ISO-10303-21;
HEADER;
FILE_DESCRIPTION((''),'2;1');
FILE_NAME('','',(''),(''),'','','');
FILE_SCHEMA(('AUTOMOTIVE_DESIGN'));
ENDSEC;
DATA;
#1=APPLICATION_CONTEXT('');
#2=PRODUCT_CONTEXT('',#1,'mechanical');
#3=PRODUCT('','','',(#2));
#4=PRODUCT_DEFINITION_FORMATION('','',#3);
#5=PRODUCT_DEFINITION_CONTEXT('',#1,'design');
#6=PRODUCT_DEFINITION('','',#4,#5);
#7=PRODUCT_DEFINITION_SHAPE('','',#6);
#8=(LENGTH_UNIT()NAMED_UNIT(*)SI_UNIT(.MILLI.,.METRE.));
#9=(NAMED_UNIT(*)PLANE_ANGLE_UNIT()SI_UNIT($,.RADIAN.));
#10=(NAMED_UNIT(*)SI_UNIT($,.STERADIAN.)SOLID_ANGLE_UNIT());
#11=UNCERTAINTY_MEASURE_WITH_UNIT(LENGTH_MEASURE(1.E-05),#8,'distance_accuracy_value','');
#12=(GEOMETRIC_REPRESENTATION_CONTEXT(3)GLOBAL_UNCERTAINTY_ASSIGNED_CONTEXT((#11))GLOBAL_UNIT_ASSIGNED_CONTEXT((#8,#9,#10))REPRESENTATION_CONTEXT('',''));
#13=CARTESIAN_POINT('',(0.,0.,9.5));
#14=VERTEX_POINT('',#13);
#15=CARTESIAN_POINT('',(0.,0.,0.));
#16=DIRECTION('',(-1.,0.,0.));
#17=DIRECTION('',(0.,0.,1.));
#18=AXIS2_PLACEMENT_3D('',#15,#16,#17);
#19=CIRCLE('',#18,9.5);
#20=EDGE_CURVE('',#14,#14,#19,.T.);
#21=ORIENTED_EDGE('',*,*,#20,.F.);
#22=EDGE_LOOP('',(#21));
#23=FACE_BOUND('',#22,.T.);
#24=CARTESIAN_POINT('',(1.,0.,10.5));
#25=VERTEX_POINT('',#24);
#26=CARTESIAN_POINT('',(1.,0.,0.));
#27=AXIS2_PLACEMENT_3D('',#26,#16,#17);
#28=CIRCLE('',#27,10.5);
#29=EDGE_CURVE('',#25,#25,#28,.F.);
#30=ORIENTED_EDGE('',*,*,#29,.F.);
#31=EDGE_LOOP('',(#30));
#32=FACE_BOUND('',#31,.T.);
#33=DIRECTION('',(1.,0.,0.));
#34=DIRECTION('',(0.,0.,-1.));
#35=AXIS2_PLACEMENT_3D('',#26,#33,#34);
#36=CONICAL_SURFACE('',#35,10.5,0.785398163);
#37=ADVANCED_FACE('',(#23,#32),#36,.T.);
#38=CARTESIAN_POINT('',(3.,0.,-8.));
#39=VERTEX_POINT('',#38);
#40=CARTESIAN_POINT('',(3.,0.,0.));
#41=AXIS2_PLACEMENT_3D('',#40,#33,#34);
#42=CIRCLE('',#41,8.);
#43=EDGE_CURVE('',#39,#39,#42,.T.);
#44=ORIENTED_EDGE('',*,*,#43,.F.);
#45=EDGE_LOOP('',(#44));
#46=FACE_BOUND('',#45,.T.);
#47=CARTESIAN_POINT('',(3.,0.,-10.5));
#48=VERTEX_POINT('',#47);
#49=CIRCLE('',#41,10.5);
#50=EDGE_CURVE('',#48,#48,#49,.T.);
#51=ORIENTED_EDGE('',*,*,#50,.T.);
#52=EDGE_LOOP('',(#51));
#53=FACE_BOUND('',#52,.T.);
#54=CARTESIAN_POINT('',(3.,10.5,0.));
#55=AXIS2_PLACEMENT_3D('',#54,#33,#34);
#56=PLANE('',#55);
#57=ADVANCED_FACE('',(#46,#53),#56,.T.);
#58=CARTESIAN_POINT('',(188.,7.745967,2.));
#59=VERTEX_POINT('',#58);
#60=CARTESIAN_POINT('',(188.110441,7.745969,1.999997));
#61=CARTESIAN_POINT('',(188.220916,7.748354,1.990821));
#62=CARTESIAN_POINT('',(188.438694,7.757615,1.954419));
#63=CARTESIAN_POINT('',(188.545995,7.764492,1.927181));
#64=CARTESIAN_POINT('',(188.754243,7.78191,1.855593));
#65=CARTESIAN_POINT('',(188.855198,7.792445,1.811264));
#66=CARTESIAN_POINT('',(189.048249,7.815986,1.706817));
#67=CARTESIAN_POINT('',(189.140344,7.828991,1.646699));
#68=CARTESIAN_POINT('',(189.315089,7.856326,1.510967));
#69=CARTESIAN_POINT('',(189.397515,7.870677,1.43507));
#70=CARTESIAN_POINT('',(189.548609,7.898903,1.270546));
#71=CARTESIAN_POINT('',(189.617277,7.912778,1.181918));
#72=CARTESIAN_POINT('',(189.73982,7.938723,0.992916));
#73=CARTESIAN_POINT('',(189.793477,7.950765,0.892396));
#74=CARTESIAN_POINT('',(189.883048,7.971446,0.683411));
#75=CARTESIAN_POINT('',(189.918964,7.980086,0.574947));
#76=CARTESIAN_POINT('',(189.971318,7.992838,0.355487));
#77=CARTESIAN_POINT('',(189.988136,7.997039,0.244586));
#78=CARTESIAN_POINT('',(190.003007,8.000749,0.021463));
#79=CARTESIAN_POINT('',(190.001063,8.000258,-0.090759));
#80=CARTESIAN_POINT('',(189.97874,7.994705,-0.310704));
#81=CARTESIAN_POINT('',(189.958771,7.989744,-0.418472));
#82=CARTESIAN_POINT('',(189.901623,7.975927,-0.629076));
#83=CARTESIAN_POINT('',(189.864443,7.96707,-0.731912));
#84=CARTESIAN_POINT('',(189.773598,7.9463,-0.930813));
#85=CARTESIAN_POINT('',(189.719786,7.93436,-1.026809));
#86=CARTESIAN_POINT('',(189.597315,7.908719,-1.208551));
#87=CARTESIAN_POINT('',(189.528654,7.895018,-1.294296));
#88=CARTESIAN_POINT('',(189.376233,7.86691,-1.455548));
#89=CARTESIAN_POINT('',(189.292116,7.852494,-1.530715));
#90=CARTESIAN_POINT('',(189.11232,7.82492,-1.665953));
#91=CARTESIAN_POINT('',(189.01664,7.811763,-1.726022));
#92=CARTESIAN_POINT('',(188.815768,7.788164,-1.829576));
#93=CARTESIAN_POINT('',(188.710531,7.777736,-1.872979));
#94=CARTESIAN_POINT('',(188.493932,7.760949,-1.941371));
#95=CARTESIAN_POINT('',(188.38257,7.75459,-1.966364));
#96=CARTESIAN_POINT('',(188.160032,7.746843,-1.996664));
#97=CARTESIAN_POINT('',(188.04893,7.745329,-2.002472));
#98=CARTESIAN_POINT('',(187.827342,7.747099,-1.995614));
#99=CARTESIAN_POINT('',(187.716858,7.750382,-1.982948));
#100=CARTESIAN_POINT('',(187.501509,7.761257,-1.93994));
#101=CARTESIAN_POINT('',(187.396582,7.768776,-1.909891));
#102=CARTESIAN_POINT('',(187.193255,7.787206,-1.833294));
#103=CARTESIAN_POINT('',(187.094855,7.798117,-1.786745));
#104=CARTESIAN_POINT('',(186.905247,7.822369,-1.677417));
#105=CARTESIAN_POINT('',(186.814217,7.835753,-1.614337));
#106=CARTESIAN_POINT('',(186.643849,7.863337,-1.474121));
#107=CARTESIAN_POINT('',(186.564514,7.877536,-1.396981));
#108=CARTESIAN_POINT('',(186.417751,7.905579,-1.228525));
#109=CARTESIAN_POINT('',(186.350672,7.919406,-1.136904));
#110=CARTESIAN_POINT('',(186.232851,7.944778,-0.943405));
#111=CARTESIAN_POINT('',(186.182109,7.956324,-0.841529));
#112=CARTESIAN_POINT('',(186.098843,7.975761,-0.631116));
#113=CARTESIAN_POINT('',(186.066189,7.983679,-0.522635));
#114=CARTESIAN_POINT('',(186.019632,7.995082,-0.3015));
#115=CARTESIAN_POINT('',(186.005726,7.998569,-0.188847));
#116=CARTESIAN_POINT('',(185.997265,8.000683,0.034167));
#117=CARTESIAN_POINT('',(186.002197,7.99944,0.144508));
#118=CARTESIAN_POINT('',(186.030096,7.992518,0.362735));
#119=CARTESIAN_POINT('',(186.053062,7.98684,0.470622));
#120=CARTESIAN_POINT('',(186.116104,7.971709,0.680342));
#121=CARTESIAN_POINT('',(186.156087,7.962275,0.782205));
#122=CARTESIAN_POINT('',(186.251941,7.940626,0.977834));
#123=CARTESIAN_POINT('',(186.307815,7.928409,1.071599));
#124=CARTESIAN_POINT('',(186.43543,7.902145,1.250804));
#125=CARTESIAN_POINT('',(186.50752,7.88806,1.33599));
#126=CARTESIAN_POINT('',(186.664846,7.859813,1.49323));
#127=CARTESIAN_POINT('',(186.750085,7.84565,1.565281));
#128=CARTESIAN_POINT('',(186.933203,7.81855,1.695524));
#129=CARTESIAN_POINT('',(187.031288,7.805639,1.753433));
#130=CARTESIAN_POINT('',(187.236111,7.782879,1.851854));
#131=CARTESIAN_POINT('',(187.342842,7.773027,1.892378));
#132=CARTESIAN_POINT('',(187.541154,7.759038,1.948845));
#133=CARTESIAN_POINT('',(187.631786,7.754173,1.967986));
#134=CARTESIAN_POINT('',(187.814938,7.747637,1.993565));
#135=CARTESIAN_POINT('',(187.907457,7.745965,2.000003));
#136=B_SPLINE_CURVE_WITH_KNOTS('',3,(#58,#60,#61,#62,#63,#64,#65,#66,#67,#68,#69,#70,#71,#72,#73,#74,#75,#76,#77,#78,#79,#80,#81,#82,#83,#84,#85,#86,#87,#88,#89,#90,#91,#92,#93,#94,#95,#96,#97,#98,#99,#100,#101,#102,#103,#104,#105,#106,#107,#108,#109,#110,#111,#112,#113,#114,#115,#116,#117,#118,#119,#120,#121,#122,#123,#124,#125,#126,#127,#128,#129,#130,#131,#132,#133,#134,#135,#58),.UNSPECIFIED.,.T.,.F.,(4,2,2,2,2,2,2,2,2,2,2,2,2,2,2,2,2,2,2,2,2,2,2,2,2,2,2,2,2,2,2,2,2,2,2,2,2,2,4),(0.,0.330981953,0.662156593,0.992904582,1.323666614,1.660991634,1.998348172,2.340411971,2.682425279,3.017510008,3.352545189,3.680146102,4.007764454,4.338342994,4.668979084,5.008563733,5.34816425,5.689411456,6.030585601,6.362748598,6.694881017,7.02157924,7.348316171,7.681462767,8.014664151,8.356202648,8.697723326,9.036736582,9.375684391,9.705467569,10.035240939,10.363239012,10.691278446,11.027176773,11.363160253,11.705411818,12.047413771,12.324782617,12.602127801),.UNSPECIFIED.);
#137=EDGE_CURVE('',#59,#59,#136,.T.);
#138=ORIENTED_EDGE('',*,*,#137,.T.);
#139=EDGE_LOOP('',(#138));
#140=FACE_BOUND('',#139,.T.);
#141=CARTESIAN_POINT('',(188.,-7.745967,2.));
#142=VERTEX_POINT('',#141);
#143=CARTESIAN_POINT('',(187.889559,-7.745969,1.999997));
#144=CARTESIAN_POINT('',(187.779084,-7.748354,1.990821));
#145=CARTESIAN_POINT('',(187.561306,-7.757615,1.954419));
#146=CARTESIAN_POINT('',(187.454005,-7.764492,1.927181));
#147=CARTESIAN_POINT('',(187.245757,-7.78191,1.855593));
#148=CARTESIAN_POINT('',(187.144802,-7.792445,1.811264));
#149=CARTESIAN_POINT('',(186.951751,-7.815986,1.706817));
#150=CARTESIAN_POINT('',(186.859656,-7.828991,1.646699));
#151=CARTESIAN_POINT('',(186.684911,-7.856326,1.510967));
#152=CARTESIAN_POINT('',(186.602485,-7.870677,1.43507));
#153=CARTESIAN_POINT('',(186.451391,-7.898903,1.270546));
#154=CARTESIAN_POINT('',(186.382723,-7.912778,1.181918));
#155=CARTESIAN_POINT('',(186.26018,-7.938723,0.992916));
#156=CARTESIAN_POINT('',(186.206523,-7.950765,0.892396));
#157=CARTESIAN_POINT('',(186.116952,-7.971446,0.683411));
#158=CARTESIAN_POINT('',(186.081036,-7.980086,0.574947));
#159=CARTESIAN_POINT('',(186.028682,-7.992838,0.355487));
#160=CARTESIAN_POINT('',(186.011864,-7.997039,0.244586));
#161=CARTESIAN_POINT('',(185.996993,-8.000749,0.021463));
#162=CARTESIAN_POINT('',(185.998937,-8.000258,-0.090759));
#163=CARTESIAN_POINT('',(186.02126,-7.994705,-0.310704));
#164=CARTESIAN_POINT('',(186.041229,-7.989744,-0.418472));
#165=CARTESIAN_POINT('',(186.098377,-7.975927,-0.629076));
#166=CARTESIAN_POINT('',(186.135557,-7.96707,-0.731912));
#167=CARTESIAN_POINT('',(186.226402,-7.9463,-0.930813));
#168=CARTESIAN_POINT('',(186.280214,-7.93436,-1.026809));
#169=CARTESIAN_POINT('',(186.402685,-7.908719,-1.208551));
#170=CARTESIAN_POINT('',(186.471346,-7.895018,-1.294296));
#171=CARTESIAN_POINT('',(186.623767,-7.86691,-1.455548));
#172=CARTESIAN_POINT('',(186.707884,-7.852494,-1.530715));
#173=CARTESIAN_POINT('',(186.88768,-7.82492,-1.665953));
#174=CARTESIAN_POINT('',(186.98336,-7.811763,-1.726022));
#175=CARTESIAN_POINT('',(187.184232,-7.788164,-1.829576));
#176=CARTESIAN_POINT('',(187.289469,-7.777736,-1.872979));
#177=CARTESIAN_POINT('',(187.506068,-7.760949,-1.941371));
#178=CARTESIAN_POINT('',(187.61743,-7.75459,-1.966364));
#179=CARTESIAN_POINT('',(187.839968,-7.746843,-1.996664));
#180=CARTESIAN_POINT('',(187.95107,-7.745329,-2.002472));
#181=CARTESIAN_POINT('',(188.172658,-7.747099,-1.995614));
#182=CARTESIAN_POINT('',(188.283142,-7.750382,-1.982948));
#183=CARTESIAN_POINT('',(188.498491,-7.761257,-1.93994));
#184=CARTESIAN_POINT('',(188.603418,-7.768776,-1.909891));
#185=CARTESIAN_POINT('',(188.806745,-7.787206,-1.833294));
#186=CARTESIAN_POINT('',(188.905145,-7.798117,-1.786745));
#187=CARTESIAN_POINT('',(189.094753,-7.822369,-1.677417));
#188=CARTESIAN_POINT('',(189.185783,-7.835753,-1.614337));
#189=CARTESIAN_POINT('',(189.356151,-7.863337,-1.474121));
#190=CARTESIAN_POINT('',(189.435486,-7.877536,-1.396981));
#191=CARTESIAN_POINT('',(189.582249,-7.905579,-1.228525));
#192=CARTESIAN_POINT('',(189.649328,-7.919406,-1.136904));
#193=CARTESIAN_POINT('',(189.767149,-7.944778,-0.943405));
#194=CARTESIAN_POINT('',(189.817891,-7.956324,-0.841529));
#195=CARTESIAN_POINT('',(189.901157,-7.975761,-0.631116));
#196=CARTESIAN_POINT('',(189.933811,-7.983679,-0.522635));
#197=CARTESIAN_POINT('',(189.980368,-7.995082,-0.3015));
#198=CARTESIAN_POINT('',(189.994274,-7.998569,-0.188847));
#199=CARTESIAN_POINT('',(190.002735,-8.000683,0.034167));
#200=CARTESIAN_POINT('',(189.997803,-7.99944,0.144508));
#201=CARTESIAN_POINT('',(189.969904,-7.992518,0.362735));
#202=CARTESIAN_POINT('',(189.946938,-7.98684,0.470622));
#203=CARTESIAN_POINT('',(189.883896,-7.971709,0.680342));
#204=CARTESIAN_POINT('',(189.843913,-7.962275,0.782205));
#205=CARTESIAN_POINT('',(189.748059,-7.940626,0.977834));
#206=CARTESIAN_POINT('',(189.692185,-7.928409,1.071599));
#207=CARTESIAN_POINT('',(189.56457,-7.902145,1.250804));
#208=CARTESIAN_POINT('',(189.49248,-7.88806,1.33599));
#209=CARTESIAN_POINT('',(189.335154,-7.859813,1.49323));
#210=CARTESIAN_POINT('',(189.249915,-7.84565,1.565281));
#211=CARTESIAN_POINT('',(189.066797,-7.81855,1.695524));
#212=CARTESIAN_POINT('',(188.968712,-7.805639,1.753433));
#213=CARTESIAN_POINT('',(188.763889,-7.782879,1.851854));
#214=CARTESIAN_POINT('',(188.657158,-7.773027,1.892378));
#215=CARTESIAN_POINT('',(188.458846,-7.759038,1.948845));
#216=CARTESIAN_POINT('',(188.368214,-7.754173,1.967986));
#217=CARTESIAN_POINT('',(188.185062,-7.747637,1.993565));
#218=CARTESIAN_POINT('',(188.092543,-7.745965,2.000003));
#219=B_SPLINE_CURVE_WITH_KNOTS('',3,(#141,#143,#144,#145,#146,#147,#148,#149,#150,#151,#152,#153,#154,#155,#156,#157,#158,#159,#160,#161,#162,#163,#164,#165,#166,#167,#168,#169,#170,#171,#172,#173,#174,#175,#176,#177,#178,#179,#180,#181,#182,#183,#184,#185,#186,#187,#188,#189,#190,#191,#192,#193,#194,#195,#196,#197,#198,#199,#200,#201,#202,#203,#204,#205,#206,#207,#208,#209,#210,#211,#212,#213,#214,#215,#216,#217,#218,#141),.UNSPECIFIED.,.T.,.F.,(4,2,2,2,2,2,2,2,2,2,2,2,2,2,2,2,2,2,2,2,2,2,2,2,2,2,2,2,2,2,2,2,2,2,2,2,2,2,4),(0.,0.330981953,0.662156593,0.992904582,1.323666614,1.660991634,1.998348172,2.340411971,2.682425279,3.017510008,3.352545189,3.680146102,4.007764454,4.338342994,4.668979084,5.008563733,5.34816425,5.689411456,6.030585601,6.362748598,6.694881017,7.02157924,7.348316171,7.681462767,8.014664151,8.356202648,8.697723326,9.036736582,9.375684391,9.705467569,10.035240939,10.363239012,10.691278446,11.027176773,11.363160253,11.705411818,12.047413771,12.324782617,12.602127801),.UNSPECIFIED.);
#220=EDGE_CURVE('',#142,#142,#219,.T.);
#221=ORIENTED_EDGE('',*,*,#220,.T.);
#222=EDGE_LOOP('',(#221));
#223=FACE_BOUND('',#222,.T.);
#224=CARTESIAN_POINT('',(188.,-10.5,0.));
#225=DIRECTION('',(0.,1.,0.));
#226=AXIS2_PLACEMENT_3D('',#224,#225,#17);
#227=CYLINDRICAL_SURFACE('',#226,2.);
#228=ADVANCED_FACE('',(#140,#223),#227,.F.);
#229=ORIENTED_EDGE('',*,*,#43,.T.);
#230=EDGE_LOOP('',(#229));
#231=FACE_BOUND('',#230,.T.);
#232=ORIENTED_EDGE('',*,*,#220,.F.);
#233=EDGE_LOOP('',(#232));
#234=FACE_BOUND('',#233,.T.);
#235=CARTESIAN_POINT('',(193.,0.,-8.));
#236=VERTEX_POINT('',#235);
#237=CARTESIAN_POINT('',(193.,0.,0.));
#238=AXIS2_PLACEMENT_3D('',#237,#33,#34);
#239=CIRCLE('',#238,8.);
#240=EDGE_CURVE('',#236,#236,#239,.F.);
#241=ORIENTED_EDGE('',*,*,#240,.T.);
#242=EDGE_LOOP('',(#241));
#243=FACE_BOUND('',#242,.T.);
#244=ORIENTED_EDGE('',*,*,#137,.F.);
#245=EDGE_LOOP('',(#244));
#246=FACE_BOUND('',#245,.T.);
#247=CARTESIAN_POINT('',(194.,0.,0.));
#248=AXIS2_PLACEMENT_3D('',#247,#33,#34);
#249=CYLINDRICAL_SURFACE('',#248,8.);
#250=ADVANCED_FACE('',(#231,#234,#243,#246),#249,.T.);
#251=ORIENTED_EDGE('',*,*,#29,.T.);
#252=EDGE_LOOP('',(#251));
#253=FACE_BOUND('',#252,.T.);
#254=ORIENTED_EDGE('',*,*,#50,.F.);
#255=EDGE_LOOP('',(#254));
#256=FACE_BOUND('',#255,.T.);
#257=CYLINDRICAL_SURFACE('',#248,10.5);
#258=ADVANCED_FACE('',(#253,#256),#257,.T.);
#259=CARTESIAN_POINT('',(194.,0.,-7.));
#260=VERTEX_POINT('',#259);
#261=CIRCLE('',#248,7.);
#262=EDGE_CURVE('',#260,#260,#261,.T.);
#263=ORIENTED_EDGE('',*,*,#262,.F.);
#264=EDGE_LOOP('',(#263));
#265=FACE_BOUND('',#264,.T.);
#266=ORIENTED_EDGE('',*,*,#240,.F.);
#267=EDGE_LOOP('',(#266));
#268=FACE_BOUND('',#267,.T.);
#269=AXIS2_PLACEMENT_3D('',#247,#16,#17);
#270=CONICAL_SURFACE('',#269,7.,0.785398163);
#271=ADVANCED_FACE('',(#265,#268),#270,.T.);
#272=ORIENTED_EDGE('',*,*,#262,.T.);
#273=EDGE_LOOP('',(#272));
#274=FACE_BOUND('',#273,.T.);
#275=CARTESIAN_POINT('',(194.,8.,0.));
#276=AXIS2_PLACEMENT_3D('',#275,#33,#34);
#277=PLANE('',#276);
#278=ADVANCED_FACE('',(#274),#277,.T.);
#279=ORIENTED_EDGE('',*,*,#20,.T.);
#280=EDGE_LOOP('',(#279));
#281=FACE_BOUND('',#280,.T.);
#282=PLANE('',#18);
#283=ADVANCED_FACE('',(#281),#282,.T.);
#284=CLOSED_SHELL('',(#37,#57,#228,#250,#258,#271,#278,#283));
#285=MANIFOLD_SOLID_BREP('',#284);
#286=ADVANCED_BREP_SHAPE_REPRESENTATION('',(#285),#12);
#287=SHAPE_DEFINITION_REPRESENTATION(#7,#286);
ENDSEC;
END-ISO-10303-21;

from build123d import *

# Parameters (mm, degrees)
SZKIC2_R                        = 2
WYTNIJ_WYCI_GNI_CIE1_DEPTH      = 11.5
WYTNIJ_WYCI_GNI_CIE1_DEPTH_BACK = 11.5
SFAZOWANIE1_SIZE                = 1


with BuildPart() as part:
    # Szkic1 → Obrót1 (revolve)
    with BuildSketch(Plane.XY):
        Polygon((0, 0), (0, 10.5), (3, 10.5), (3, 8), (194, 8), (194, 0), align=None)
    revolve(axis=Axis((194, 0, 0), (-1, 0, 0)))

    # Szkic2 → Wytnij-wyciągnięcie1 (cut, two sides)
    with BuildSketch(Plane(origin=(0, 0, 0), x_dir=(1, 0, 0), z_dir=(0, 1, 0))) as wytnij_wyci_gni_cie1_sk:
        with Locations((188, 0)):
            Circle(SZKIC2_R)
    extrude(amount=WYTNIJ_WYCI_GNI_CIE1_DEPTH, mode=Mode.SUBTRACT)
    extrude(wytnij_wyci_gni_cie1_sk.sketch, amount=-WYTNIJ_WYCI_GNI_CIE1_DEPTH_BACK, mode=Mode.SUBTRACT)

    # Sfazowanie1
    sfazowanie1_edges = [part.edges().sort_by_distance(p)[0] for p in [
        (194, -8, 0),
        (0, -10.5, 0),
    ]]
    chamfer(sfazowanie1_edges, length=SFAZOWANIE1_SIZE)


solid = part.part
